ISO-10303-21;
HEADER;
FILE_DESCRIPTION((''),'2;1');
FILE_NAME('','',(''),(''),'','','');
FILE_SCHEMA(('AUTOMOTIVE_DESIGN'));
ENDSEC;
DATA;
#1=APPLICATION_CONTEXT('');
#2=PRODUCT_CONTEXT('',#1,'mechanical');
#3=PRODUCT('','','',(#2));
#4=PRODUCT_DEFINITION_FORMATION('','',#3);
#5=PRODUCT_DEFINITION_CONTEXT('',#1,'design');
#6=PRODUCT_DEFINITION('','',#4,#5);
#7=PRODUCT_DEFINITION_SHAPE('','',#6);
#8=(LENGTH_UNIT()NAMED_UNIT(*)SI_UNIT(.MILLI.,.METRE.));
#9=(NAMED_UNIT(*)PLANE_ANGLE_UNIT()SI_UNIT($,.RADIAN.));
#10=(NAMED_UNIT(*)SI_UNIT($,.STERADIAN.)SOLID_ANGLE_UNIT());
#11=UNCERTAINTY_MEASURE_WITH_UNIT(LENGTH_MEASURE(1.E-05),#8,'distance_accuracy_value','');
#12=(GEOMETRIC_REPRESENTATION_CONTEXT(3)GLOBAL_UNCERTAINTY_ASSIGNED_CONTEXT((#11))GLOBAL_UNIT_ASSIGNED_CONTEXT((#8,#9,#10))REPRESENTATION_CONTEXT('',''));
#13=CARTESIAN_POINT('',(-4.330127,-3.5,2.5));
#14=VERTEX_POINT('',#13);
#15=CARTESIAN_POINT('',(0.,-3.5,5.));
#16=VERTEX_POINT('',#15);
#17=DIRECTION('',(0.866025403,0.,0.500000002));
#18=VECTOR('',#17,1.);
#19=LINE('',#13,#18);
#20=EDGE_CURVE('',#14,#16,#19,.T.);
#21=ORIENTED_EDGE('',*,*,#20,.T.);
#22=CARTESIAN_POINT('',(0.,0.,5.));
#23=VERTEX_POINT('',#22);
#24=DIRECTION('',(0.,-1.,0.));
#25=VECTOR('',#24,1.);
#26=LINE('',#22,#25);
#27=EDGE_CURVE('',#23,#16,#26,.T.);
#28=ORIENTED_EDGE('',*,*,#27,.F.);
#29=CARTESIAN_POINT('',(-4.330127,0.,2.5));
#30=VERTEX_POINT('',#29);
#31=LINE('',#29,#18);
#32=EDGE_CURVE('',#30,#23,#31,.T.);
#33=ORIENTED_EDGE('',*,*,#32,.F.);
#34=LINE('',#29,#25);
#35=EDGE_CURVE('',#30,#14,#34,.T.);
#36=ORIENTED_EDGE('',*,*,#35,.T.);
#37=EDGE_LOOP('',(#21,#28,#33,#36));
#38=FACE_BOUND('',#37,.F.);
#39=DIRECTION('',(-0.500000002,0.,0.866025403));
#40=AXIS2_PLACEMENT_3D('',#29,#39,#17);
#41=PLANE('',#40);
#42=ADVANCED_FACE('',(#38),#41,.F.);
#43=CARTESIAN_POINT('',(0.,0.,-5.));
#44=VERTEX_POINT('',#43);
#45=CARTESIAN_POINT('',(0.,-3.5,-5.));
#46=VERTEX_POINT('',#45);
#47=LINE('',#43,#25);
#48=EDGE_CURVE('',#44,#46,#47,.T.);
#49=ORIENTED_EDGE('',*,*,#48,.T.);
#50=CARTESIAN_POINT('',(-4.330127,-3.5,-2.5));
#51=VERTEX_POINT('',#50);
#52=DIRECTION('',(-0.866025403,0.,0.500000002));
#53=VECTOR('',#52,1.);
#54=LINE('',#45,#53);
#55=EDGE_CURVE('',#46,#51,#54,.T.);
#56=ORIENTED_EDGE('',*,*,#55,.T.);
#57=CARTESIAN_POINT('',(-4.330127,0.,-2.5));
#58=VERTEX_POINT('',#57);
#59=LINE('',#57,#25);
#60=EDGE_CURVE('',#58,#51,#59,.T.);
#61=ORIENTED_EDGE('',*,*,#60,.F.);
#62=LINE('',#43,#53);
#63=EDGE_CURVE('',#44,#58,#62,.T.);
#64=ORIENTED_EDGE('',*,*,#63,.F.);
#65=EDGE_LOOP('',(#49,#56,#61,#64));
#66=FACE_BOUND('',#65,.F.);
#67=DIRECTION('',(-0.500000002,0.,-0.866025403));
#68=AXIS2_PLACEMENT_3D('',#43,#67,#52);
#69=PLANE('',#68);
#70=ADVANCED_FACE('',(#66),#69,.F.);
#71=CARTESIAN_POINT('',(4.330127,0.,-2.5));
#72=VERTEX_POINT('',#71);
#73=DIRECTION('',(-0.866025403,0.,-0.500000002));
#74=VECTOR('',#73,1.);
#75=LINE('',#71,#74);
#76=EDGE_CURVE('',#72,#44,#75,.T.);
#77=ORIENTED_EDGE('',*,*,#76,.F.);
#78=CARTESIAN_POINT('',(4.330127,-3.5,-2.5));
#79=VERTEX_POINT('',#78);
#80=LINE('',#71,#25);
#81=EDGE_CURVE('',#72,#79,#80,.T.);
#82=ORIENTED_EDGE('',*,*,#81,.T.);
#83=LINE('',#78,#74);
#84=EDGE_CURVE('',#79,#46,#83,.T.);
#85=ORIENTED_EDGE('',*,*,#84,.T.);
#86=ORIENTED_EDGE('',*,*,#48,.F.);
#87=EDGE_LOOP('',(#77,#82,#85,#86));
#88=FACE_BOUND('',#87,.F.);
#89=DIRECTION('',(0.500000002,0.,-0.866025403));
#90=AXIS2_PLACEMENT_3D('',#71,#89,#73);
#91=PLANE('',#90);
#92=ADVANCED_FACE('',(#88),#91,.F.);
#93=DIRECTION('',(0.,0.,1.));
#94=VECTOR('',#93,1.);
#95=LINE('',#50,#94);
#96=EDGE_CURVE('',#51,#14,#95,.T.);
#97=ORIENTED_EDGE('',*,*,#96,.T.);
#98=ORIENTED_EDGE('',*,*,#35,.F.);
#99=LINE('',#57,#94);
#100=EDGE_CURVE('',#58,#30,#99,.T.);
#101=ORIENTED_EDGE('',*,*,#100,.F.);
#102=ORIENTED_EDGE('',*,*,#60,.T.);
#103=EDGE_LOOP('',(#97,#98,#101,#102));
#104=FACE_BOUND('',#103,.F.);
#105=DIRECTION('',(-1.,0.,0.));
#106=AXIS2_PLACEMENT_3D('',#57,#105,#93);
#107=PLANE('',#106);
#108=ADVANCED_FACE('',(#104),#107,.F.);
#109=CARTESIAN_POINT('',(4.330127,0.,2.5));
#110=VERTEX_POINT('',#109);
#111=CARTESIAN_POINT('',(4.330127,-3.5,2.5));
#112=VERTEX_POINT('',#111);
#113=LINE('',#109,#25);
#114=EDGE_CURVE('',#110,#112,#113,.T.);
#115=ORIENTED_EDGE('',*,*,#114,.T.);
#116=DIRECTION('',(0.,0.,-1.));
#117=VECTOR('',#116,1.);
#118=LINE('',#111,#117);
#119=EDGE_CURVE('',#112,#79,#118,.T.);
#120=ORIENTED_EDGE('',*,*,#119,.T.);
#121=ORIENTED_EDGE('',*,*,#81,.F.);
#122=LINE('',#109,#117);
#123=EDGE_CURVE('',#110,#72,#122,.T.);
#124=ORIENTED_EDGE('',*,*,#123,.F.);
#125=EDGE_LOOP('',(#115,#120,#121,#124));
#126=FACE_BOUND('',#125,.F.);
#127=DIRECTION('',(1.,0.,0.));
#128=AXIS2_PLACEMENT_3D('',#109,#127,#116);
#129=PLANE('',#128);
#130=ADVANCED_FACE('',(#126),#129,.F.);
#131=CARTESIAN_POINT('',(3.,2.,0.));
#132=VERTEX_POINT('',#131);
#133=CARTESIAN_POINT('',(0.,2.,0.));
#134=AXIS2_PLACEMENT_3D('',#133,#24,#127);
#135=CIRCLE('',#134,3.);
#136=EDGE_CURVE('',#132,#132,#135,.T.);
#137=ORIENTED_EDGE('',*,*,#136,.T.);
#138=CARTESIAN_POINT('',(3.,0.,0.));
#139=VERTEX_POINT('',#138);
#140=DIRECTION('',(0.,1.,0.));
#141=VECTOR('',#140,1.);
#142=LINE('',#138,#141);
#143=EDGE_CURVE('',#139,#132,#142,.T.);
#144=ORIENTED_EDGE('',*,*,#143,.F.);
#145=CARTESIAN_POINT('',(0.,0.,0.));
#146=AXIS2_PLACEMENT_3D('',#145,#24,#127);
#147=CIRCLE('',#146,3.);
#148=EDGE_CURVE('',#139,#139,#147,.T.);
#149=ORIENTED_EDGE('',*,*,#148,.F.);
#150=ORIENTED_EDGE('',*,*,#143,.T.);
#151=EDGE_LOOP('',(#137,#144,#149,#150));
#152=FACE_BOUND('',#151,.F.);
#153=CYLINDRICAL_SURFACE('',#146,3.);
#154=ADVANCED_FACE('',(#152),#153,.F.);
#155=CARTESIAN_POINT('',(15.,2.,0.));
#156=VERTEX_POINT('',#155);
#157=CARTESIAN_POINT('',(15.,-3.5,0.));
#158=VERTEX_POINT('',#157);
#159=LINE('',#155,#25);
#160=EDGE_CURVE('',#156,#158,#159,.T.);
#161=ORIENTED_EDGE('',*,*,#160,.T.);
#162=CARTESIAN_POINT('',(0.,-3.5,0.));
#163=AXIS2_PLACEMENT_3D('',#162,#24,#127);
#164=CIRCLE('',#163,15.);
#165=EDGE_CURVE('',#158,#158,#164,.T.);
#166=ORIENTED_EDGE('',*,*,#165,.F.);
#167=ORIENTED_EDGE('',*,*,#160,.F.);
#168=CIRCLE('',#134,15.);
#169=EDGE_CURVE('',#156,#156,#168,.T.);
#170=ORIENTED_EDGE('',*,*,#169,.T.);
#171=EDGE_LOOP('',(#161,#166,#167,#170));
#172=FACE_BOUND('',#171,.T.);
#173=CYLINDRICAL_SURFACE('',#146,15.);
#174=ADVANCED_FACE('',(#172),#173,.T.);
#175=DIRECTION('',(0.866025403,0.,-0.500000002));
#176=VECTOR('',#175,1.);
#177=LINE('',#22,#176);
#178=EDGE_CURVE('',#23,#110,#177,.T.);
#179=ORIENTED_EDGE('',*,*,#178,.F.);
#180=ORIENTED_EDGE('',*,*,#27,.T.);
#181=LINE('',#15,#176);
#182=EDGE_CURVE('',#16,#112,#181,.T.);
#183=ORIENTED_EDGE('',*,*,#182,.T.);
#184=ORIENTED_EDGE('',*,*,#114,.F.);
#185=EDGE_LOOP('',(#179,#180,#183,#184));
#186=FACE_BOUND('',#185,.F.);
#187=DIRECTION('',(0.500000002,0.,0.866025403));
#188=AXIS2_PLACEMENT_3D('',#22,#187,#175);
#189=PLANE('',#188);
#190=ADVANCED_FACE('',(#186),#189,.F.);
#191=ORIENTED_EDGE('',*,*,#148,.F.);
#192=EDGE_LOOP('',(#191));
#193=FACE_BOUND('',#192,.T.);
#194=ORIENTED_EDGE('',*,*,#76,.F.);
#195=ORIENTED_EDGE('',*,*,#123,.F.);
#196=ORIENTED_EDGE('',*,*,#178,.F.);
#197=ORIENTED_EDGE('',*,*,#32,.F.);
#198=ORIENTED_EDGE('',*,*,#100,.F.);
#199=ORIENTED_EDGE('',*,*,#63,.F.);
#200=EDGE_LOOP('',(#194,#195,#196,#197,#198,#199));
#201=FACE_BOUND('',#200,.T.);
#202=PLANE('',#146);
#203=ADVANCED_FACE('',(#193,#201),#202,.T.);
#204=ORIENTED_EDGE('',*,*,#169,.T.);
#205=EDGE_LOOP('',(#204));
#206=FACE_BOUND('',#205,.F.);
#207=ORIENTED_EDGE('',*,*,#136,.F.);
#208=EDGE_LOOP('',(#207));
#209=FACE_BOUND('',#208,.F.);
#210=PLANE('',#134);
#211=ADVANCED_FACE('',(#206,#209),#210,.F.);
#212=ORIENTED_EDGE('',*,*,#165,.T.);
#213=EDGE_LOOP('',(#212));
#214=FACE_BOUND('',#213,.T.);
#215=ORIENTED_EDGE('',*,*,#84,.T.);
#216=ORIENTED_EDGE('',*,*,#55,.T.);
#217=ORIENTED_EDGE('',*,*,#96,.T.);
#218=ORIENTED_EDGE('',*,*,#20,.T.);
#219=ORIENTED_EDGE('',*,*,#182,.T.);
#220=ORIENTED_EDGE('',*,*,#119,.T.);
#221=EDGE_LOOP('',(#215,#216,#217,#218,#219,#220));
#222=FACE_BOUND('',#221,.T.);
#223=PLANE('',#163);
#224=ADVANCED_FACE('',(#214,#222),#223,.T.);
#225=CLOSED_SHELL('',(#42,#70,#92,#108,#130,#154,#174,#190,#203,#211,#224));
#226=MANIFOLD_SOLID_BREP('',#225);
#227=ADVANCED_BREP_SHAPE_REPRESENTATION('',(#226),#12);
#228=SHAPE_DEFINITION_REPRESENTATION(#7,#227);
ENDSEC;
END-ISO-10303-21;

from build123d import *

# Parameters (mm, degrees)
F0_R     = 15
F1_DEPTH = 3.5
F0_R_2   = 3
F2_DEPTH = 2


with BuildPart() as f1:
    # F0 (on Front) → F1 (new body)
    with BuildSketch(Plane.XZ):
        Circle(F0_R)
        Polygon((-4.330127, 2.5), (0, 5), (4.330127, 2.5), (4.330127, -2.5), (0, -5), (-4.330127, -2.5), align=None, mode=Mode.SUBTRACT)
    extrude(amount=F1_DEPTH)

    # F0 (on Front) → F2 (join)
    with BuildSketch(Plane.XZ):
        Circle(F0_R)
        Polygon((-4.330127, 2.5), (0, 5), (4.330127, 2.5), (4.330127, -2.5), (0, -5), (-4.330127, -2.5), align=None, mode=Mode.SUBTRACT)
        Polygon((4.330127, 2.5), (0, 5), (-4.330127, 2.5), (-4.330127, -2.5), (0, -5), (4.330127, -2.5), align=None)
        Circle(F0_R_2, mode=Mode.SUBTRACT)
    extrude(amount=-F2_DEPTH)


solid = f1.part
